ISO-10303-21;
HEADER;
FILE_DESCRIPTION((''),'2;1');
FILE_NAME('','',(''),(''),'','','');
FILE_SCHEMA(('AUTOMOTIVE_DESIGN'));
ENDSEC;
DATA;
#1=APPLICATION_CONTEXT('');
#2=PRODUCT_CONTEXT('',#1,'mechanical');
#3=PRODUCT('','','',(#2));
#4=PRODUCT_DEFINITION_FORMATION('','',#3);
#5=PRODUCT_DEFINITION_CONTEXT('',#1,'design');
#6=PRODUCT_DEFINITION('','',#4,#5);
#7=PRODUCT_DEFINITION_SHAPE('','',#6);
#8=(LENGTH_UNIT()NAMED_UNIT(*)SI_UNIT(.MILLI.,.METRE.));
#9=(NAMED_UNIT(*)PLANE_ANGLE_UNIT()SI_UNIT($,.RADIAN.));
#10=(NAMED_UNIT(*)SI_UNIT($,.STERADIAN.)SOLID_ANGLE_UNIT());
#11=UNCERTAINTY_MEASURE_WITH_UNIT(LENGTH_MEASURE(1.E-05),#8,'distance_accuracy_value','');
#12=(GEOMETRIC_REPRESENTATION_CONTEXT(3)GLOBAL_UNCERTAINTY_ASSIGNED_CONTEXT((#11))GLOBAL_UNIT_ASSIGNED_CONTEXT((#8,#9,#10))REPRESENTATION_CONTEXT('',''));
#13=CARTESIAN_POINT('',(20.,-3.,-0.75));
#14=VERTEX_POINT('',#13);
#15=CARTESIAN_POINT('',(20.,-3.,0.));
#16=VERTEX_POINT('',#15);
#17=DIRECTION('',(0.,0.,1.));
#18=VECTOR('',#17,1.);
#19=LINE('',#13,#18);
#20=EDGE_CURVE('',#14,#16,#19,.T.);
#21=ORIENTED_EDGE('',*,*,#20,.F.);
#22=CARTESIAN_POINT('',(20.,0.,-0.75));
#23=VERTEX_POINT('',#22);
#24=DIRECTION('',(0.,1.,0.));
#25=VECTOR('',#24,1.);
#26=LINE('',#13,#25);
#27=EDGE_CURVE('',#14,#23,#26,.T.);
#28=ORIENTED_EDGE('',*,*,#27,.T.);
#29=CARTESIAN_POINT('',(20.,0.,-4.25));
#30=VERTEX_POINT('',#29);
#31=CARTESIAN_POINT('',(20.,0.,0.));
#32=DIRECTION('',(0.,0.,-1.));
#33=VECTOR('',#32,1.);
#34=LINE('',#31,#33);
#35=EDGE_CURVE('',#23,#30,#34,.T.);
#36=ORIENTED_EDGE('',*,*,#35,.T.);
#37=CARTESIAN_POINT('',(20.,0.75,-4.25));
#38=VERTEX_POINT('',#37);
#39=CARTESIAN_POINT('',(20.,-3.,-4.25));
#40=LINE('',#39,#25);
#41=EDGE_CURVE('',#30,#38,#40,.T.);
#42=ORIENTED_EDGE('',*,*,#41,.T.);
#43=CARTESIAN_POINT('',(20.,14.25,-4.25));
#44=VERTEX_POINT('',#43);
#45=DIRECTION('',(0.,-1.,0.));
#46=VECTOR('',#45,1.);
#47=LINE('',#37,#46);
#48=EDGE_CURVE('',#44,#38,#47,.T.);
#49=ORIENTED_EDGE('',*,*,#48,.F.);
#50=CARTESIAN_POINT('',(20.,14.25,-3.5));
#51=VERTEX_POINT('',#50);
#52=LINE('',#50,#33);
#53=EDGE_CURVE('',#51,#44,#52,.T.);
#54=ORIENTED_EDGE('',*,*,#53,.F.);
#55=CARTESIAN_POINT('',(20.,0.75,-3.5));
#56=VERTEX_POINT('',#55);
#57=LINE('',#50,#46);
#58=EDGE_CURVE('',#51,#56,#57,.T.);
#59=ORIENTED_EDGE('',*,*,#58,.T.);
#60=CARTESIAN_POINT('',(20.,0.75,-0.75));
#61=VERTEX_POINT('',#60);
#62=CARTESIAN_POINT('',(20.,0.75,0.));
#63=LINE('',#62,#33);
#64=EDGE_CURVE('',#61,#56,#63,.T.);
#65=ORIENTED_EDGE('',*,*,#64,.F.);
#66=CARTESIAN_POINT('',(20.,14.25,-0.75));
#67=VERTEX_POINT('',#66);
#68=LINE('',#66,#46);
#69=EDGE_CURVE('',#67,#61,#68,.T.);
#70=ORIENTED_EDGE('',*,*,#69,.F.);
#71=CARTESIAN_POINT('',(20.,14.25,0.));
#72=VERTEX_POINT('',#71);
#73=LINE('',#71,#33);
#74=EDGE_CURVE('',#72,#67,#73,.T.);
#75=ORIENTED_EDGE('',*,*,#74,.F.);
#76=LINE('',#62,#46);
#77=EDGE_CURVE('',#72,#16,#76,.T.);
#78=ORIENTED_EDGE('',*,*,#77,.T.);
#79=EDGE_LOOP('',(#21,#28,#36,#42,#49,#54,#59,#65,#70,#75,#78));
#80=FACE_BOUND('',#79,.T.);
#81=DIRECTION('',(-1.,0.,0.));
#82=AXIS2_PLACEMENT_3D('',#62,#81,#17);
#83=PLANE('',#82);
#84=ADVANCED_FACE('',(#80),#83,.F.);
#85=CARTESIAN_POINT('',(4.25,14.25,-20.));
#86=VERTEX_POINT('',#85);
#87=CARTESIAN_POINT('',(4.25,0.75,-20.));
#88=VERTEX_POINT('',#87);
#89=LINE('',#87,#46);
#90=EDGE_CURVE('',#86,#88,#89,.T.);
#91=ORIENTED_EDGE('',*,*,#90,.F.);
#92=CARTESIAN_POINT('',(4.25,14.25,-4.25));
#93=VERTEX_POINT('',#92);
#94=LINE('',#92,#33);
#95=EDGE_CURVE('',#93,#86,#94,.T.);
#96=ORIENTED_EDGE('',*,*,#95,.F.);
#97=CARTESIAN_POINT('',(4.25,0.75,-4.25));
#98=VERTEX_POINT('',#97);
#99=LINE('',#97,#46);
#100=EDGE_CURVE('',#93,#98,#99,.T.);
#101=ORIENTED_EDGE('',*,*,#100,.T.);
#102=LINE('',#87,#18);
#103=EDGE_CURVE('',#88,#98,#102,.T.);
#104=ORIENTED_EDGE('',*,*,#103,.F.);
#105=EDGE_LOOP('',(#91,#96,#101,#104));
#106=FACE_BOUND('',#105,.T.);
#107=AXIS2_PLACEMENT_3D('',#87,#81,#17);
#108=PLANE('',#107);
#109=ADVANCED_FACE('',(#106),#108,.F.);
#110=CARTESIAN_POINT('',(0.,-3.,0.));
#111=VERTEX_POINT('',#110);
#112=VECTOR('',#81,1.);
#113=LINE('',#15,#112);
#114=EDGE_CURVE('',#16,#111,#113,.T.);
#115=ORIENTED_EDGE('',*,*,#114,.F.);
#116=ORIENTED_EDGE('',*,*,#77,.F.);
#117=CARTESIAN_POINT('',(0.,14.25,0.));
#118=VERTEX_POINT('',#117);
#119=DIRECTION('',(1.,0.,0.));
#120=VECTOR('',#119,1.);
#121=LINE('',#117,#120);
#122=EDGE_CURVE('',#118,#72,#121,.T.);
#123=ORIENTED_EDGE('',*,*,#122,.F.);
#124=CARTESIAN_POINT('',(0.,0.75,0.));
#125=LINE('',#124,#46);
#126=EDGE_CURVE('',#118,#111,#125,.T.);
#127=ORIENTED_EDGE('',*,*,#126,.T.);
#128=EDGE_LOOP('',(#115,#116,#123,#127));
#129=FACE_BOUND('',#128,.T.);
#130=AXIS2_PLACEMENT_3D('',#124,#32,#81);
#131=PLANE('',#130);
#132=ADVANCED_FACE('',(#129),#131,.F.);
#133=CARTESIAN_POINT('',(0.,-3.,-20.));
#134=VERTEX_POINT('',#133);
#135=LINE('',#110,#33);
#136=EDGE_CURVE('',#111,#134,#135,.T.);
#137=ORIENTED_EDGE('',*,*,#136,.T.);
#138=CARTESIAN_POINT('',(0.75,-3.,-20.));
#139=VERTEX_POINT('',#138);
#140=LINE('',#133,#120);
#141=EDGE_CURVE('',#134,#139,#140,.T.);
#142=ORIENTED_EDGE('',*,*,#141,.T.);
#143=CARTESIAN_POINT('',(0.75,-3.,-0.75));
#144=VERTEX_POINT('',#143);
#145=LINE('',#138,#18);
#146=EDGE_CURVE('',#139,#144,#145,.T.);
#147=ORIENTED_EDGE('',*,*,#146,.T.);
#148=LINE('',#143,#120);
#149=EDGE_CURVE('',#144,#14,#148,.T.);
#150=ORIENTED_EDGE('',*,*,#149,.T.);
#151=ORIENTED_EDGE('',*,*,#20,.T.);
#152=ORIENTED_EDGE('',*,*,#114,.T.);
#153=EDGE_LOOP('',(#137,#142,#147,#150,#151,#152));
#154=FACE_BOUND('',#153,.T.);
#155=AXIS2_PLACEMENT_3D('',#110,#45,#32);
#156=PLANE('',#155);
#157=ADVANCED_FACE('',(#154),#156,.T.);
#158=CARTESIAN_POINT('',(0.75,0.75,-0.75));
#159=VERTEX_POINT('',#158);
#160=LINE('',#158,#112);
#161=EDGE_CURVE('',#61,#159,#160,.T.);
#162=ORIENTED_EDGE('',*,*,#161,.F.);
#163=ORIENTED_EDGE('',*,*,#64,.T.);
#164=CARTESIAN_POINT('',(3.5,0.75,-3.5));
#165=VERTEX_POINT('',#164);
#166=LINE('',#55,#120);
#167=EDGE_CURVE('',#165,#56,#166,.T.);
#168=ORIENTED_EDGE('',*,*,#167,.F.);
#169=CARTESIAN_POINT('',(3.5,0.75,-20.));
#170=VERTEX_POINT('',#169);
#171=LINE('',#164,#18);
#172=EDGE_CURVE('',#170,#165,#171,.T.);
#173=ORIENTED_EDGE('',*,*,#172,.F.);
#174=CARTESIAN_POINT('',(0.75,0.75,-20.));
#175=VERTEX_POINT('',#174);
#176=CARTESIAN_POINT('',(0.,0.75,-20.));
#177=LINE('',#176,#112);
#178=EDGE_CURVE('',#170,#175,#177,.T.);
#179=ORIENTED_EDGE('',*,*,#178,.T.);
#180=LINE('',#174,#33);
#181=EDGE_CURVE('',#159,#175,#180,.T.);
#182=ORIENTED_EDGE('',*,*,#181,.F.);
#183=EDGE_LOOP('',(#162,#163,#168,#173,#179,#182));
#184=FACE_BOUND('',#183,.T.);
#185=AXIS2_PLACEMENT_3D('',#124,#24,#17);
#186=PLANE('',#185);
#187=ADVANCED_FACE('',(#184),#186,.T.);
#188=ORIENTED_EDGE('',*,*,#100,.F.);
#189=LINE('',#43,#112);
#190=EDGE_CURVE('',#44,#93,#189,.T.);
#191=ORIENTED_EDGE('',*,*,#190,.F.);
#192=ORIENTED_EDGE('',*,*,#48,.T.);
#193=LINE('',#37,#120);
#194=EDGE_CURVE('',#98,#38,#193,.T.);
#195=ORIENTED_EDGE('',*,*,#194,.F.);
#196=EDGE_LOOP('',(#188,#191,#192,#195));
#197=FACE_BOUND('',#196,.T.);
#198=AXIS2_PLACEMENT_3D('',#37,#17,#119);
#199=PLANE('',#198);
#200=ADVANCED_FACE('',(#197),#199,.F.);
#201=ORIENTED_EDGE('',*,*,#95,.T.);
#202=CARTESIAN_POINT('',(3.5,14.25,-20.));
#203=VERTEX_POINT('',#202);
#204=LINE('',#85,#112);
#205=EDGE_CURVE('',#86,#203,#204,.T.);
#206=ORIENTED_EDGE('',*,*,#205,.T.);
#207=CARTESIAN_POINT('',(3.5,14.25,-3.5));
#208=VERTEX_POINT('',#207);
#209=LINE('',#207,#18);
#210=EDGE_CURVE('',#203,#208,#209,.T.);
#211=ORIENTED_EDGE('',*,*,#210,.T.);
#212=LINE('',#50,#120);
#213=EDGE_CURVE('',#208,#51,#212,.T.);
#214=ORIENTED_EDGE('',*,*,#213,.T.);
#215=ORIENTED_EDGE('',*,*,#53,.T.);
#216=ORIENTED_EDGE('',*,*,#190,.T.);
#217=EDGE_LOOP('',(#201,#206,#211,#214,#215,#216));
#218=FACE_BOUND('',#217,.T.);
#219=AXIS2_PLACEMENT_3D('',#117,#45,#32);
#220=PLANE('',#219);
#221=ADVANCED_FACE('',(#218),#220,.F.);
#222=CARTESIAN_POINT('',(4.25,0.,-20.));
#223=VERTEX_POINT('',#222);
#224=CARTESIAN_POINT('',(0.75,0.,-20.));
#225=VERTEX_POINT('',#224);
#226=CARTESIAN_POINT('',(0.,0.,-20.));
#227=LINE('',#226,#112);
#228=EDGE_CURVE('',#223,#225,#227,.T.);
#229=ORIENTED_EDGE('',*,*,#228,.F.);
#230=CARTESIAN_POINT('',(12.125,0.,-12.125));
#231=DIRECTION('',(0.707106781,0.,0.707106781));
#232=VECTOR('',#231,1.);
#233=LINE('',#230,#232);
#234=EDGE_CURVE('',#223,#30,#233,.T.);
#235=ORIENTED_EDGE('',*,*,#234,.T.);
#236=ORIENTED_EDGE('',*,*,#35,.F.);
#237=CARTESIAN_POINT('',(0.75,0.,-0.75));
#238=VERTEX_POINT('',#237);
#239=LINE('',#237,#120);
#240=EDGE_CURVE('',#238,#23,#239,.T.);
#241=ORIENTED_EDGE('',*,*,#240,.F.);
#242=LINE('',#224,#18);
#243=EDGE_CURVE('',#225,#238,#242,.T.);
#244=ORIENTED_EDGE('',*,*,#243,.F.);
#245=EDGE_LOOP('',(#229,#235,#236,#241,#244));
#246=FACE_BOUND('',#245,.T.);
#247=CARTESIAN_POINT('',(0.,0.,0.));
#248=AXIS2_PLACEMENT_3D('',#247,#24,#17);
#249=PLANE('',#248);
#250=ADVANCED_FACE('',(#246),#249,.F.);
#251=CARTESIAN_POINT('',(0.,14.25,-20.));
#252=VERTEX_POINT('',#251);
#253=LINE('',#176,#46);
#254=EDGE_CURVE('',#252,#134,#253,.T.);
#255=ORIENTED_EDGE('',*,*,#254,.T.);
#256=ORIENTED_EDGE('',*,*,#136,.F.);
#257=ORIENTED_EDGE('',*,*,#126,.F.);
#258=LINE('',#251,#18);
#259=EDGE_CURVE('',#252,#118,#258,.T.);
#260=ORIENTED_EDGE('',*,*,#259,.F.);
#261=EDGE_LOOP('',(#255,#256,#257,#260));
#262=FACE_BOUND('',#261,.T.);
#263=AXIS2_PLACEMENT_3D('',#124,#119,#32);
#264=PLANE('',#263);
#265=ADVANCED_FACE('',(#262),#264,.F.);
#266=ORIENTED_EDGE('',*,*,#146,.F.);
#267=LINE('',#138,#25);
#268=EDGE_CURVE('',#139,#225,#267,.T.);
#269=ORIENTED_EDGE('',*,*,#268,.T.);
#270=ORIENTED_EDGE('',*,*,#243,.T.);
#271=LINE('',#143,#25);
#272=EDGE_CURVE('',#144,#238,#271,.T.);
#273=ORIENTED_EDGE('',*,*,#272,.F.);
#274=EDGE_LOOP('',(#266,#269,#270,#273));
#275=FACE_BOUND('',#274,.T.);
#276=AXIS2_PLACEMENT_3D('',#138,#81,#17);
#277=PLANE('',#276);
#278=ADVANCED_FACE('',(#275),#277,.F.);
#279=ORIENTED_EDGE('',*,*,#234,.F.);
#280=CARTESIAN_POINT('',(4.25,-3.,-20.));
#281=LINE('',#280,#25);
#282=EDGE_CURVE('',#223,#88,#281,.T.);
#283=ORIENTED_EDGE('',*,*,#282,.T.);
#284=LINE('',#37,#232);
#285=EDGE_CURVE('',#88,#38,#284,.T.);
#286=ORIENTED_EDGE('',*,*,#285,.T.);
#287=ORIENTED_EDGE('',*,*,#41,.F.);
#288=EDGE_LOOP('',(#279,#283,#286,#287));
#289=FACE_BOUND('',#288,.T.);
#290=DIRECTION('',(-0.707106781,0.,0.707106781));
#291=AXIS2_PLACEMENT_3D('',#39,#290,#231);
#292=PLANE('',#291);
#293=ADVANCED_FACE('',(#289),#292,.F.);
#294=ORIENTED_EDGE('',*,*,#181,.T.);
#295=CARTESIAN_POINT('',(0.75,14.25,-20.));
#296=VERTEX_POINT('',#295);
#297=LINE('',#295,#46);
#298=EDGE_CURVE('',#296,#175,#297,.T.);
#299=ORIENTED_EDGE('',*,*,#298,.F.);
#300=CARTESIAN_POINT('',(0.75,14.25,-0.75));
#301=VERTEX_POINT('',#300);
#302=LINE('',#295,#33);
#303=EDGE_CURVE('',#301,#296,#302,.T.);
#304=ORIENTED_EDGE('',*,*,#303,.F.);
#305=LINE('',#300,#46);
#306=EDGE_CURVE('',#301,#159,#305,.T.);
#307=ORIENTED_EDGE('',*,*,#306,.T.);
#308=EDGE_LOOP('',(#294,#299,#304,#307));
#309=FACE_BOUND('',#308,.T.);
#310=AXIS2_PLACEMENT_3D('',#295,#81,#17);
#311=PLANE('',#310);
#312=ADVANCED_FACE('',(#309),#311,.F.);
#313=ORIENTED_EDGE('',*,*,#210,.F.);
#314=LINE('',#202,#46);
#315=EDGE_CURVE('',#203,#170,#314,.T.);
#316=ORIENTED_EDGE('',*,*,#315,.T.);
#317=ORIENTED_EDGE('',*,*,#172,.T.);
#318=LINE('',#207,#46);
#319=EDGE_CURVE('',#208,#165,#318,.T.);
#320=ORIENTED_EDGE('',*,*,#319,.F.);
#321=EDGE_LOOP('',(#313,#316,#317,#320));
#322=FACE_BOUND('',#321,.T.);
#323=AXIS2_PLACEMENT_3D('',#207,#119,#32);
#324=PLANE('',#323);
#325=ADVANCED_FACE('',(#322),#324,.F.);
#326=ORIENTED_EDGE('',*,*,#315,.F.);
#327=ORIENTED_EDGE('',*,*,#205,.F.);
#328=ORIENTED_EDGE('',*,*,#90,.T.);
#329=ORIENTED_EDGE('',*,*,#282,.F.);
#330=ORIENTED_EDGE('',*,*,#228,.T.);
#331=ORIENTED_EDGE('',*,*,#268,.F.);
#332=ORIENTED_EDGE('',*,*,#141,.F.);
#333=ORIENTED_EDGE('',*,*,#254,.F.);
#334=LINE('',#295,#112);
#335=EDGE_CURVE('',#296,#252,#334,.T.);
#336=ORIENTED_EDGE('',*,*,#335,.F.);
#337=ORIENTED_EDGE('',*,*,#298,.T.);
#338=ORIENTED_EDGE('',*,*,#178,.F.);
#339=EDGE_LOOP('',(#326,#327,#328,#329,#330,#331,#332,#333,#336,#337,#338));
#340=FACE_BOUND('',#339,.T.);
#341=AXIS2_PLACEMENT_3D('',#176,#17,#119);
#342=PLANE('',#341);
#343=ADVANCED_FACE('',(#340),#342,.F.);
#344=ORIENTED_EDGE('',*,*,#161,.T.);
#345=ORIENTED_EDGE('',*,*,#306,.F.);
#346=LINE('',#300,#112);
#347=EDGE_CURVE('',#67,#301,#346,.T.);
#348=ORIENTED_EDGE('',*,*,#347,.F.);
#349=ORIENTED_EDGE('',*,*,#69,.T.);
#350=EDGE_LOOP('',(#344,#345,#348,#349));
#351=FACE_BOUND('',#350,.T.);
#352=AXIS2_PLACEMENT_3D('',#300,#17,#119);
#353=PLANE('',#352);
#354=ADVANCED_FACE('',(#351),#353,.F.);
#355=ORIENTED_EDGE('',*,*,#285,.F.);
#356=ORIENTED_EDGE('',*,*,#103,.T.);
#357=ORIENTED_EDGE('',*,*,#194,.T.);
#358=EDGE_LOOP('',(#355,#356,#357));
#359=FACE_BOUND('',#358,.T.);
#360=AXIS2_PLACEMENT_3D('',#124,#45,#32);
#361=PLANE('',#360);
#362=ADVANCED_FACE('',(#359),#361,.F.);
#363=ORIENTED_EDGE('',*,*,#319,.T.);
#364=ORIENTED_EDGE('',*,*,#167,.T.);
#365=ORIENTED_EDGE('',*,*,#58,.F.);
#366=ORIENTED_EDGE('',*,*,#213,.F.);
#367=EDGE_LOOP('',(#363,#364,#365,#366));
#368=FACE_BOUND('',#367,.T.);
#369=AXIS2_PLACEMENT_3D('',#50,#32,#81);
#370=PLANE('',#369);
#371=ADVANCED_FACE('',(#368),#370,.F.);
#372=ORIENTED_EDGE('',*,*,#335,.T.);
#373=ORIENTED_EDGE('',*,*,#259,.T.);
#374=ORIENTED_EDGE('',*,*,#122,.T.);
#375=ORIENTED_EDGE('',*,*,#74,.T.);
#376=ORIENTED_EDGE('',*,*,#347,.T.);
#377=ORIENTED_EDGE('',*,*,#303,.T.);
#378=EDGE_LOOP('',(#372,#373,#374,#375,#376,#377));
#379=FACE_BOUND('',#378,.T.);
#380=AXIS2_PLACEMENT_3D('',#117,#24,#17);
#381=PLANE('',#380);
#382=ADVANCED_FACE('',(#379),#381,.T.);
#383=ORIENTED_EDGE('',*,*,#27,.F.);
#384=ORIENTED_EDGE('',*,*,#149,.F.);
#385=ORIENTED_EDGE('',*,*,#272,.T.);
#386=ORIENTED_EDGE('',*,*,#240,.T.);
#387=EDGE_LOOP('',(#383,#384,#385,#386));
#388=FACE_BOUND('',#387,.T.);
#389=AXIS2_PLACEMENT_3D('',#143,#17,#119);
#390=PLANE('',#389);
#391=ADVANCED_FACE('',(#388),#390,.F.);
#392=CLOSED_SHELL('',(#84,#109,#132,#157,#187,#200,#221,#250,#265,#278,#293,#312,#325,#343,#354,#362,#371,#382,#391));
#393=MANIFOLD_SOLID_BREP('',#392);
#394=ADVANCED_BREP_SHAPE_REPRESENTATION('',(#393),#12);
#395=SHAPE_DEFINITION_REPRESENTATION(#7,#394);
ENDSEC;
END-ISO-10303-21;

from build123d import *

# Parameters (mm, degrees)
BOSS_EXTRUDE1_DEPTH = 0.75
BOSS_EXTRUDE2_DEPTH = 13.5
SKETCH4_W           = 20
SKETCH4_H           = 20
BOSS_EXTRUDE3_DEPTH = 0.75
BOSS_EXTRUDE7_DEPTH = 3
CUT_EXTRUDE1_DEPTH  = 32.340867888


with BuildPart() as part:
    # Sketch1 → Boss-Extrude1 (new body)
    with BuildSketch(Plane(origin=(0, 0, 0), x_dir=(1, 0, 0), z_dir=(0, 1, 0))):
        Polygon((0, 0), (0, 20), (4.25, 20), (4.25, 4.25), (20, 4.25), (20, 0), align=None)
    extrude(amount=BOSS_EXTRUDE1_DEPTH)

    # Sketch2 → Boss-Extrude2 (add)
    with BuildSketch(Plane(origin=(0, 0.75, 0), x_dir=(1, 0, 0), z_dir=(0, 1, 0))):
        Polygon((20, 3.5), (20, 4.25), (4.25, 4.25), (4.25, 20), (3.5, 20), (3.5, 3.5), align=None)
        Polygon((0.75, 20), (0, 20), (0, 0), (20, 0), (20, 0.75), (0.75, 0.75), align=None)
    extrude(amount=BOSS_EXTRUDE2_DEPTH)

    # Sketch4 → Boss-Extrude3 (add)
    with BuildSketch(Plane.XZ):
        with Locations((10, -10)):
            Rectangle(SKETCH4_W, SKETCH4_H)
    extrude(amount=-BOSS_EXTRUDE3_DEPTH)

    # Sketch7 → Boss-Extrude7 (add)
    with BuildSketch(Plane.XZ):
        Polygon((0, 0), (0, -20), (0.75, -20), (0.75, -0.75), (20, -0.75), (20, 0), align=None)
    extrude(amount=BOSS_EXTRUDE7_DEPTH)

    # Sketch8 → Cut-Extrude1 (cut, through all)
    with BuildSketch(Plane(origin=(0, 0.75, 0), x_dir=(1, 0, 0), z_dir=(0, 1, 0))):
        Polygon((20, 4.25), (20, 20), (4.25, 20), align=None)
    extrude(amount=-CUT_EXTRUDE1_DEPTH, mode=Mode.SUBTRACT)


solid = part.part
